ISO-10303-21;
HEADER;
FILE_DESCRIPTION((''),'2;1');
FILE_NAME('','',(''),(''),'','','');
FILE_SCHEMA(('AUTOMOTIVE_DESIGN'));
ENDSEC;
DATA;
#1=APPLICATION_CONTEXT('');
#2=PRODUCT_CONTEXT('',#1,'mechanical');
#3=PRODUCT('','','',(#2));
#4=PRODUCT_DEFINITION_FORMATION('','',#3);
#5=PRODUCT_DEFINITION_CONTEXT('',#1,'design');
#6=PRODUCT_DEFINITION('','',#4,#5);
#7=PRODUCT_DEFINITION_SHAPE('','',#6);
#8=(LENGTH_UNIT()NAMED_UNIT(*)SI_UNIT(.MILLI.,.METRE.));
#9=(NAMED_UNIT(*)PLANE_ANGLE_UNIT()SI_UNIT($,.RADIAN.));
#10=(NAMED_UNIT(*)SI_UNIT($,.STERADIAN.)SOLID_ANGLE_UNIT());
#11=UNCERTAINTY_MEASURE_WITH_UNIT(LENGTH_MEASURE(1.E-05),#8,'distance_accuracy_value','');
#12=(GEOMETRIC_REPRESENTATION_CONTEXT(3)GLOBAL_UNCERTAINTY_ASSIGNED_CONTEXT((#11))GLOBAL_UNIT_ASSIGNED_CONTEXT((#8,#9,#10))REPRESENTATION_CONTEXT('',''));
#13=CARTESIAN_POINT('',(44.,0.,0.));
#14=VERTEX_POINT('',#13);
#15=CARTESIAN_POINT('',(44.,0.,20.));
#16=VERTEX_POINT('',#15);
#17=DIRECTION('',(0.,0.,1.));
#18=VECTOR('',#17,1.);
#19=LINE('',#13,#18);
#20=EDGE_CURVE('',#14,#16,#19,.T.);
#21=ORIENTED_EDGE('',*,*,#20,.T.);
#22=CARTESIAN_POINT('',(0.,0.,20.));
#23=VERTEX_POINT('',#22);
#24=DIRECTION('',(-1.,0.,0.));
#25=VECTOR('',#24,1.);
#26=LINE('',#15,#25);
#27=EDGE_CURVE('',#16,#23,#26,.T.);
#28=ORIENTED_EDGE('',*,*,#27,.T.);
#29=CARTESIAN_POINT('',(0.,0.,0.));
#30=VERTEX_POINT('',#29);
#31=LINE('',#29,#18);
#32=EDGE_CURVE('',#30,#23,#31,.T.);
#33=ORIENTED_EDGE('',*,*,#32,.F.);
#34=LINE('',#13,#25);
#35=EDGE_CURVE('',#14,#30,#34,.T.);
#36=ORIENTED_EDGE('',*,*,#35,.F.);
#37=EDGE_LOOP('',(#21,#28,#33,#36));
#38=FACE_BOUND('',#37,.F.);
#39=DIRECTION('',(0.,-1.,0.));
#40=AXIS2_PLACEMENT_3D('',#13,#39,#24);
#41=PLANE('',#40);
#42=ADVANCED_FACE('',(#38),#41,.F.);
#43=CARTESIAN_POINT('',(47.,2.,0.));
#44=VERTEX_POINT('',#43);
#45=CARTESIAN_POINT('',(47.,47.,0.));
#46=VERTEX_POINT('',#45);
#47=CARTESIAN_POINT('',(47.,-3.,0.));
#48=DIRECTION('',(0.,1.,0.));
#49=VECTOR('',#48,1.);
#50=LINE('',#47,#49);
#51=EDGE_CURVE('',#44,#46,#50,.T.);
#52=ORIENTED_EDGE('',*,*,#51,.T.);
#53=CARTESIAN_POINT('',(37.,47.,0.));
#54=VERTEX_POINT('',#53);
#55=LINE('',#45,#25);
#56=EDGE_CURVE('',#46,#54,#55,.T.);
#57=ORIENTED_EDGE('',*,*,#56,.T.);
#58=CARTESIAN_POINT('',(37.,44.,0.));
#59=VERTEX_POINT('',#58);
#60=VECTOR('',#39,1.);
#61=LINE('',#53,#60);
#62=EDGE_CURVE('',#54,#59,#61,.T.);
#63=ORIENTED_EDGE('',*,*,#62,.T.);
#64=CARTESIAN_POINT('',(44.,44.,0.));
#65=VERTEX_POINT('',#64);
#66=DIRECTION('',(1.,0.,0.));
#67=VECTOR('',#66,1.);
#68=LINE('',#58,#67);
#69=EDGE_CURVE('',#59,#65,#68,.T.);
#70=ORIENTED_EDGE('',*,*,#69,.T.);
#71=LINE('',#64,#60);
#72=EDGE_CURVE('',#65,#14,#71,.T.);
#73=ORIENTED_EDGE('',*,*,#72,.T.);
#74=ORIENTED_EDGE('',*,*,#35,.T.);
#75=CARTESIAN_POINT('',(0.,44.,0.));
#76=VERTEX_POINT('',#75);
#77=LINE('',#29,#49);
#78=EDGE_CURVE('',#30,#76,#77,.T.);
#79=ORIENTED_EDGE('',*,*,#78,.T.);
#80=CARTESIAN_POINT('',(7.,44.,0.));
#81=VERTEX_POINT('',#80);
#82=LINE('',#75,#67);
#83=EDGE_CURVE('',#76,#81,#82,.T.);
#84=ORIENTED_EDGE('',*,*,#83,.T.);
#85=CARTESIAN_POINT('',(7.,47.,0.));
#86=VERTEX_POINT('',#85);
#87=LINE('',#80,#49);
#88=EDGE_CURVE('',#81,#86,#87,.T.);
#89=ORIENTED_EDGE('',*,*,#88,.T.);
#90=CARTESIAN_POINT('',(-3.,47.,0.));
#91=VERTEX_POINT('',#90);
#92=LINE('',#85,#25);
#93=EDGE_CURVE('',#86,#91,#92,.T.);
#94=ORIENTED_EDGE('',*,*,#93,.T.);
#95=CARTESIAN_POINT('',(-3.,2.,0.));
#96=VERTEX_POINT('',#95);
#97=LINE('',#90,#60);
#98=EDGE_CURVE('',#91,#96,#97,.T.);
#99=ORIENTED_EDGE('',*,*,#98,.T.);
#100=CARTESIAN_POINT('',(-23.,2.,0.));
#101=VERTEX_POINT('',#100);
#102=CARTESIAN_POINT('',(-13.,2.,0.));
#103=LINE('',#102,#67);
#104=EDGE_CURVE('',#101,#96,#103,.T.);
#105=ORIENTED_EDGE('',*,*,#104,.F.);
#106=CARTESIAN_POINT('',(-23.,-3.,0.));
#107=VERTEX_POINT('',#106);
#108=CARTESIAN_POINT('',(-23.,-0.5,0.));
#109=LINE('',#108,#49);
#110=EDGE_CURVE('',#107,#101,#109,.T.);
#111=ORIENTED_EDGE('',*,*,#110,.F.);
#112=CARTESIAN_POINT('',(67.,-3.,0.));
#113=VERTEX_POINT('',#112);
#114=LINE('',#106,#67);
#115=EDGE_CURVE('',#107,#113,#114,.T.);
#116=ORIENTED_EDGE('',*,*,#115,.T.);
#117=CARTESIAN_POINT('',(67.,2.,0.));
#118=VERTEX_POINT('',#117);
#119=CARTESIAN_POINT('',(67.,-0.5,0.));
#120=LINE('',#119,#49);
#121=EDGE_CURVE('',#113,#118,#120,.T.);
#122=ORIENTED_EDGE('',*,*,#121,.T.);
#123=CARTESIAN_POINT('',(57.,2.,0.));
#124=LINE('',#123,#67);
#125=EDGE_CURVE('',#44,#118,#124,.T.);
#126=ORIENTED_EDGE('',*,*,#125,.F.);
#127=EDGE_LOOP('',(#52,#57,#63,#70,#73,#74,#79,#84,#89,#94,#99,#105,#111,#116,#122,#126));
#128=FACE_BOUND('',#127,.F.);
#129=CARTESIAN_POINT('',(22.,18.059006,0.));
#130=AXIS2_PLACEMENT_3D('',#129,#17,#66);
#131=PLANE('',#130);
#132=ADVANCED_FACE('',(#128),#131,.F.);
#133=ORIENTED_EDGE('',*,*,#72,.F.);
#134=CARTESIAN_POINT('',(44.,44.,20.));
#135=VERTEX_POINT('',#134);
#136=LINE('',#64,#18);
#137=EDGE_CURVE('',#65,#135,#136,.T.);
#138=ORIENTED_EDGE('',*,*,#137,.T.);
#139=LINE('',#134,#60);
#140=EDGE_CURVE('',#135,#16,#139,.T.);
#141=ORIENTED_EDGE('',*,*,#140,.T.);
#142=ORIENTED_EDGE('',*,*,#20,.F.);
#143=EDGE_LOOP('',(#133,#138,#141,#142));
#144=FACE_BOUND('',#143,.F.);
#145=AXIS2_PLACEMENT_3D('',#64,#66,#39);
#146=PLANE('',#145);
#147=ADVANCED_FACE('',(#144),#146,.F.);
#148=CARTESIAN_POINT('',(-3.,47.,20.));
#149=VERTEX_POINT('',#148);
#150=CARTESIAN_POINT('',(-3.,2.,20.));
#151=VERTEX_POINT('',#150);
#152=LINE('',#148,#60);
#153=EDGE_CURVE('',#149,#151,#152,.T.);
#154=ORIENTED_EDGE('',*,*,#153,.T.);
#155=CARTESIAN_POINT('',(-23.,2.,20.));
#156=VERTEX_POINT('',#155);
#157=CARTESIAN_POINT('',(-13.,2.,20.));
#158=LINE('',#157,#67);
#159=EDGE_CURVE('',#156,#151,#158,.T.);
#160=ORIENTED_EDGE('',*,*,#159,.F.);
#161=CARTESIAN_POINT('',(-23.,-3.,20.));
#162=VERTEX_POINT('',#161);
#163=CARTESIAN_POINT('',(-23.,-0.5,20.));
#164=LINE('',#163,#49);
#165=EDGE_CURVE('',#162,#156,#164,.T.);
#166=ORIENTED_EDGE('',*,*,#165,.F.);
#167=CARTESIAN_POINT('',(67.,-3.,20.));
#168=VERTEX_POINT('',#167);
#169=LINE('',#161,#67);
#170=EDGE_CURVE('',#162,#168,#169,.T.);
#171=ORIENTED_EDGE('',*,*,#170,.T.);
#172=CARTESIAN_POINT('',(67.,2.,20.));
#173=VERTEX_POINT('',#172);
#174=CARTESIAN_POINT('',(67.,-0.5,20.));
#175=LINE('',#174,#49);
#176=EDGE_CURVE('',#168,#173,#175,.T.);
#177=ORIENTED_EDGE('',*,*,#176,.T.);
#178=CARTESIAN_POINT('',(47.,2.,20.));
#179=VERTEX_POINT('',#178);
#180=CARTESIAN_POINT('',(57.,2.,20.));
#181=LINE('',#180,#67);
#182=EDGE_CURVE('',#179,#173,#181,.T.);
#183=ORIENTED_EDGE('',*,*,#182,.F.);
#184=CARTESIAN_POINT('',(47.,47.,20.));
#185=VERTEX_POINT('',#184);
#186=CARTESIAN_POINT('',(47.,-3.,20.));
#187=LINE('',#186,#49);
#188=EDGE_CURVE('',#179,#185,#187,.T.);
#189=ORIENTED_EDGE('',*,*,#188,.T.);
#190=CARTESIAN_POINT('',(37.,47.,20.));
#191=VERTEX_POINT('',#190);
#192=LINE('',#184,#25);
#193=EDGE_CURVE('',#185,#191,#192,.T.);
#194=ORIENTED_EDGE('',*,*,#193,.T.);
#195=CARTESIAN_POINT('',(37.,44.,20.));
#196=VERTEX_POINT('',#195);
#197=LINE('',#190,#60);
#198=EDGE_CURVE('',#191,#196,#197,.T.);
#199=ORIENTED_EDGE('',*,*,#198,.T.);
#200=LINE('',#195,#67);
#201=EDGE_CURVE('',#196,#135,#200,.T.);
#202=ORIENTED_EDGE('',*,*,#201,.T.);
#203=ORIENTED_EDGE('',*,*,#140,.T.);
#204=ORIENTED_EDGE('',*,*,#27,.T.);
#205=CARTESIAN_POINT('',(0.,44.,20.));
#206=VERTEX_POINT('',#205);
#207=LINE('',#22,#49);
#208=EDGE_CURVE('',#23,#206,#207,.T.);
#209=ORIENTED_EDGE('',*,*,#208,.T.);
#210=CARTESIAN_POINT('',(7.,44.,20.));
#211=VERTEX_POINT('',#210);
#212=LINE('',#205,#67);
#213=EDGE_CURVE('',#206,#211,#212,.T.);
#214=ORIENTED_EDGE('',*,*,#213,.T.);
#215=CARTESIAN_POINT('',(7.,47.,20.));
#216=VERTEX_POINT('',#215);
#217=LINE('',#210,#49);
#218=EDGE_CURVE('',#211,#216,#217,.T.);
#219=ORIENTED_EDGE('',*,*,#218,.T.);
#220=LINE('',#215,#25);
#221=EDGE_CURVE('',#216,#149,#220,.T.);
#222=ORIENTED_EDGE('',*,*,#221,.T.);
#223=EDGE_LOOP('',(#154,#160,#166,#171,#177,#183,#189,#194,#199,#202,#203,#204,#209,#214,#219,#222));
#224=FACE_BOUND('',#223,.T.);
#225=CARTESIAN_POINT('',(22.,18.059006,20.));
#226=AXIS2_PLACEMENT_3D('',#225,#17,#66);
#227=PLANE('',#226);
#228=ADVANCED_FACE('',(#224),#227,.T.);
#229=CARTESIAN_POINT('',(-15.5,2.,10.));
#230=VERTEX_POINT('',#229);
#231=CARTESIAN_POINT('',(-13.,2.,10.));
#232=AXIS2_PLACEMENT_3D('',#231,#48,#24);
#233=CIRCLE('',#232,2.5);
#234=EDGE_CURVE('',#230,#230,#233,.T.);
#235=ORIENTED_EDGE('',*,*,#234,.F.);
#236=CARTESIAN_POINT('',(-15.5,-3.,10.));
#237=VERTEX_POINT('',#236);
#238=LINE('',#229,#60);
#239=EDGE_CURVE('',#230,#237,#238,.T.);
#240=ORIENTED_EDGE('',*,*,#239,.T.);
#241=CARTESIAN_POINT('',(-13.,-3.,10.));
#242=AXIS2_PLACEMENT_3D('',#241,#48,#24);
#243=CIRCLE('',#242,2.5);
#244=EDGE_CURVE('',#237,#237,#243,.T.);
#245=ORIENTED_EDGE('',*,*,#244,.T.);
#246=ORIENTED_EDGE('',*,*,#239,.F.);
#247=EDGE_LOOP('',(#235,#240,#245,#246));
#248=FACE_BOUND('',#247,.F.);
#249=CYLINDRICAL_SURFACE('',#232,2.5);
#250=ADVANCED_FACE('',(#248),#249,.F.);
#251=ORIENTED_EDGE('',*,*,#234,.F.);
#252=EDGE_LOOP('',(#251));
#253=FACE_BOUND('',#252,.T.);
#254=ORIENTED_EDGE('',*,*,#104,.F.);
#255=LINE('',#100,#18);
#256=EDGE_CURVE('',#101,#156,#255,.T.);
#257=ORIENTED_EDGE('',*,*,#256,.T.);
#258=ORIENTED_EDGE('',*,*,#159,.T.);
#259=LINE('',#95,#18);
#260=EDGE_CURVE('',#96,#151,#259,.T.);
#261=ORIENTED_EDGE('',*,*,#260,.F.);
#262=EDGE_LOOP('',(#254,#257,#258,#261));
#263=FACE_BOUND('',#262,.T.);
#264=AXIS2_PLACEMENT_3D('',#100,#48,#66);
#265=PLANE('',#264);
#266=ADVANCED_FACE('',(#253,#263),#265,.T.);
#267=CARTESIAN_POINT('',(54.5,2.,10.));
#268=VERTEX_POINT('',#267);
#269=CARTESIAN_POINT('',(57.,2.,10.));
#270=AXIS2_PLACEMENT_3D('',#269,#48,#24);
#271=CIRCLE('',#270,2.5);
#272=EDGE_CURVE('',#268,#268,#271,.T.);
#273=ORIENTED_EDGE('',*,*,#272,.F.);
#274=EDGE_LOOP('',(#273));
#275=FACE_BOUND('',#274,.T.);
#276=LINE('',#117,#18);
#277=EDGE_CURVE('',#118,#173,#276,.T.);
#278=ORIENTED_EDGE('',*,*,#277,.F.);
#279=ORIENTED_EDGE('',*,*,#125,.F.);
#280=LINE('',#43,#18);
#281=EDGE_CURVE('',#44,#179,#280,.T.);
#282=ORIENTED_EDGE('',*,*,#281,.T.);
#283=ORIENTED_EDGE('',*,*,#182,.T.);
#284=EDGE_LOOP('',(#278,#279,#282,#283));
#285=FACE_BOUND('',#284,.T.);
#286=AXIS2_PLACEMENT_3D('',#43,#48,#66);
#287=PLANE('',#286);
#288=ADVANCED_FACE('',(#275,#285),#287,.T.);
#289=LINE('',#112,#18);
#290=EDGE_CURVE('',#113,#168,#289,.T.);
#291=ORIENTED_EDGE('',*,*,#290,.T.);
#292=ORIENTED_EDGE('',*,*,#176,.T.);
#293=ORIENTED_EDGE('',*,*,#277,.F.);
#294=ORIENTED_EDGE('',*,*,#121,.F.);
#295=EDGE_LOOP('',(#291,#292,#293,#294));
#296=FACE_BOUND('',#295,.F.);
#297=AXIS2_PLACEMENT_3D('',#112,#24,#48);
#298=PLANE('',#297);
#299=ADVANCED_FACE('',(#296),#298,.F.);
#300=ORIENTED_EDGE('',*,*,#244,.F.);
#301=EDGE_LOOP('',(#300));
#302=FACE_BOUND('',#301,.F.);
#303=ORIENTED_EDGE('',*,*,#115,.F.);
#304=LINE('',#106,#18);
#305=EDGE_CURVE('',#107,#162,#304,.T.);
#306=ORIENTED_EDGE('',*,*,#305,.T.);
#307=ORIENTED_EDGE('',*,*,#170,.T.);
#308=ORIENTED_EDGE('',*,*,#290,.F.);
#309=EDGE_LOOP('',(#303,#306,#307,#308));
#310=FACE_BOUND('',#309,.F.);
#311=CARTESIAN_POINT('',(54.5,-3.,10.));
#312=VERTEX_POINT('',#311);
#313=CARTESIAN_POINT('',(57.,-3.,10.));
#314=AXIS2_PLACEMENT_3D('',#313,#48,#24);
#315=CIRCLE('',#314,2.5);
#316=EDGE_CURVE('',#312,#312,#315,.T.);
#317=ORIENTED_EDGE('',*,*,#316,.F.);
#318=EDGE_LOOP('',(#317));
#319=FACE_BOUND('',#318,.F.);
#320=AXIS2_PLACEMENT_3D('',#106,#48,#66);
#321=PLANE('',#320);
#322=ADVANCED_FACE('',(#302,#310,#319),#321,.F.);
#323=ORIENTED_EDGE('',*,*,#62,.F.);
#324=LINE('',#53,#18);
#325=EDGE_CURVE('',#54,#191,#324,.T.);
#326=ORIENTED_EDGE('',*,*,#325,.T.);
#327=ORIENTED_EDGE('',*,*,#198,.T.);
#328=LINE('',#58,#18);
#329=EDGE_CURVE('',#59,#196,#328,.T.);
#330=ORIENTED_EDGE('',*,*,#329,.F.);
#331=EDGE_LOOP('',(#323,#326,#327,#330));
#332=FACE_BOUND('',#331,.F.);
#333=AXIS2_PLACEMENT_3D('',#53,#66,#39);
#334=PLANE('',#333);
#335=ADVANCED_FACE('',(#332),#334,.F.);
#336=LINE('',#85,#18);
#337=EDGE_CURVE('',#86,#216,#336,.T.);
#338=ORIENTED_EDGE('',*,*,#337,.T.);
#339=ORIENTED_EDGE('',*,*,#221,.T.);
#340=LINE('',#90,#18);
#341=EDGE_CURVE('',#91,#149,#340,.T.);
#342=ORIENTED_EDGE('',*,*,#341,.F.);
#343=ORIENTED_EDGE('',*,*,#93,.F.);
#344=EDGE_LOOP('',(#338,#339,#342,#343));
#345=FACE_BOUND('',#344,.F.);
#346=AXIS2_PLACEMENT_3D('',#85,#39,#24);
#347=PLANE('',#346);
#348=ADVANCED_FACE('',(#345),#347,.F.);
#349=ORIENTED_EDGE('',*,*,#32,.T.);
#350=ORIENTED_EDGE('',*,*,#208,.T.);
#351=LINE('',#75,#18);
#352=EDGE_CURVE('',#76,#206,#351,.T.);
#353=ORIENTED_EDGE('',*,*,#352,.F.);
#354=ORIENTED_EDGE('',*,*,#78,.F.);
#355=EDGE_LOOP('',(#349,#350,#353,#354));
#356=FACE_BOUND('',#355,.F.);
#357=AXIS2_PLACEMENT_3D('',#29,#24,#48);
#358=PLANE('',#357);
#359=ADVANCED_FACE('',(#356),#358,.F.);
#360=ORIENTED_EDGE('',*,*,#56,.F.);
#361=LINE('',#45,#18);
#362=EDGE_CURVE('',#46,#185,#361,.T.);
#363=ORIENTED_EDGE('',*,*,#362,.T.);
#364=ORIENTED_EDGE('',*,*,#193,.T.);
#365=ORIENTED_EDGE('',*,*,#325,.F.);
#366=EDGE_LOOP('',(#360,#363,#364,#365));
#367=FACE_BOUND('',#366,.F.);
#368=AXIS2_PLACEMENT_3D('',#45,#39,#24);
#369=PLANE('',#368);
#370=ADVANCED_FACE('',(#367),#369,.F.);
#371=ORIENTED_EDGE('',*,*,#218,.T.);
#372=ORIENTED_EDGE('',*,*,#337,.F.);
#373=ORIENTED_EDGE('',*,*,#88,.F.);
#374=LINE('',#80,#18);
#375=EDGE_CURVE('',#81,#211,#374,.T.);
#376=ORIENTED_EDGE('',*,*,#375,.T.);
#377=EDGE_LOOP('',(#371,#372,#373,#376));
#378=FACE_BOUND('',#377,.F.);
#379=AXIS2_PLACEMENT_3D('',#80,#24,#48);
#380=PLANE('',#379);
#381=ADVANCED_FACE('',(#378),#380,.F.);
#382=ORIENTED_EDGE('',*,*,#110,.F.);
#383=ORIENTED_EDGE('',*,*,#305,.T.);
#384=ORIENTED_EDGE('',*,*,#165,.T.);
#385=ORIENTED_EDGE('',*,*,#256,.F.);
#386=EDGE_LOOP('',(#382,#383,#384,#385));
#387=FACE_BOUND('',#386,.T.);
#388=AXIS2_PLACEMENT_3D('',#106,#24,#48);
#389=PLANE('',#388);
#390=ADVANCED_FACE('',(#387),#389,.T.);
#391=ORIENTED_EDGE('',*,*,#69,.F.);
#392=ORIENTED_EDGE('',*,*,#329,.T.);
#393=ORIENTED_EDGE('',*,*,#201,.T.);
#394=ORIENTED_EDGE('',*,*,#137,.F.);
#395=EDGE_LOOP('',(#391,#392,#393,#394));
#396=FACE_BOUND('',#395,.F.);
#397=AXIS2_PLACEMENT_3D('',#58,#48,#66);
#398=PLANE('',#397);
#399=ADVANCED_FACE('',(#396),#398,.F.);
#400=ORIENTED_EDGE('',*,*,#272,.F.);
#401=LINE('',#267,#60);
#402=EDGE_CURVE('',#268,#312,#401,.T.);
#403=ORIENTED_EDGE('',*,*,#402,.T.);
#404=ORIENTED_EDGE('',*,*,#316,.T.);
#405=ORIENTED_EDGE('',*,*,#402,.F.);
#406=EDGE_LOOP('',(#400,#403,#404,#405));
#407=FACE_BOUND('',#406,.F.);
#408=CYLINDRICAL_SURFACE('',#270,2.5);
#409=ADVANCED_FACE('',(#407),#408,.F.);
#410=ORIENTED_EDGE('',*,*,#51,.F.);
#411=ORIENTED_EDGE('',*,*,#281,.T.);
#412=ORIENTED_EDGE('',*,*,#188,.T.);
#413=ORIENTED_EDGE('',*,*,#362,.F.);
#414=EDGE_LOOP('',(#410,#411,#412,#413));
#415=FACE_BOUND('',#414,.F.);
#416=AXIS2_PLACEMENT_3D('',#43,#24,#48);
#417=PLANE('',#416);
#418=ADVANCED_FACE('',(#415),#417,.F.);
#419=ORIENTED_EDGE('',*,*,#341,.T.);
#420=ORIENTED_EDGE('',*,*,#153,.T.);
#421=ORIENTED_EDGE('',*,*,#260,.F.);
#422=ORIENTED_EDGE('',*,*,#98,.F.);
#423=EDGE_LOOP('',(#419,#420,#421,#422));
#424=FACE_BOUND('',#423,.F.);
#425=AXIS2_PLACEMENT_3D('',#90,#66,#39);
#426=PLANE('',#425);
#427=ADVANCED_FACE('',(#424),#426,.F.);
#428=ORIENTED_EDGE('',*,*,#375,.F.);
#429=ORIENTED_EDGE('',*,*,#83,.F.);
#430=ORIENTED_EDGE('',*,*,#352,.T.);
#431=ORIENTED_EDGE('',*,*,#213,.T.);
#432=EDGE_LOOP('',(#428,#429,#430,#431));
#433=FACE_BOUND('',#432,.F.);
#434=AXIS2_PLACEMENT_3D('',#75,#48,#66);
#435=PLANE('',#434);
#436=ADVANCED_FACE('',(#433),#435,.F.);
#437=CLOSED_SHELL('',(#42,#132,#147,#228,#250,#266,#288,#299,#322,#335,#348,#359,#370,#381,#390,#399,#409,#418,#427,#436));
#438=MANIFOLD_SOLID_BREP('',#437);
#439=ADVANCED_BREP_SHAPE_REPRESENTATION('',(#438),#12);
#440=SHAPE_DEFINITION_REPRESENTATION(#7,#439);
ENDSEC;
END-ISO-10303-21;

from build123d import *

# Parameters (mm, degrees)
F0_W     = 20
F0_H     = 5
F1_DEPTH = 20
F2_R     = 2.5
F3_DEPTH = 25


with BuildPart() as f1:
    # F0 (on Top) → F1 (new body)
    with BuildSketch(Plane.XY):
        Polygon((44, 0), (0, 0), (0, 44), (7, 44), (7, 47), (-3, 47), (-3, 2), (-3, -3), (47, -3), (47, 2), (47, 47), (37, 47), (37, 44), (44, 44), align=None)
        with Locations((-13, -0.5)):
            Rectangle(F0_W, F0_H)
        with Locations((57, -0.5)):
            Rectangle(F0_W, F0_H)
    extrude(amount=F1_DEPTH)

    # F2 (on face) → F3 (cut)
    with BuildSketch(Plane(origin=(0, 2, 0), x_dir=(-1, 0, 0), z_dir=(0, 1, 0))):
        with Locations((-57, 10)):
            Circle(F2_R)
        with Locations((13, 10)):
            Circle(F2_R)
    extrude(amount=-F3_DEPTH, mode=Mode.SUBTRACT)


solid = f1.part
